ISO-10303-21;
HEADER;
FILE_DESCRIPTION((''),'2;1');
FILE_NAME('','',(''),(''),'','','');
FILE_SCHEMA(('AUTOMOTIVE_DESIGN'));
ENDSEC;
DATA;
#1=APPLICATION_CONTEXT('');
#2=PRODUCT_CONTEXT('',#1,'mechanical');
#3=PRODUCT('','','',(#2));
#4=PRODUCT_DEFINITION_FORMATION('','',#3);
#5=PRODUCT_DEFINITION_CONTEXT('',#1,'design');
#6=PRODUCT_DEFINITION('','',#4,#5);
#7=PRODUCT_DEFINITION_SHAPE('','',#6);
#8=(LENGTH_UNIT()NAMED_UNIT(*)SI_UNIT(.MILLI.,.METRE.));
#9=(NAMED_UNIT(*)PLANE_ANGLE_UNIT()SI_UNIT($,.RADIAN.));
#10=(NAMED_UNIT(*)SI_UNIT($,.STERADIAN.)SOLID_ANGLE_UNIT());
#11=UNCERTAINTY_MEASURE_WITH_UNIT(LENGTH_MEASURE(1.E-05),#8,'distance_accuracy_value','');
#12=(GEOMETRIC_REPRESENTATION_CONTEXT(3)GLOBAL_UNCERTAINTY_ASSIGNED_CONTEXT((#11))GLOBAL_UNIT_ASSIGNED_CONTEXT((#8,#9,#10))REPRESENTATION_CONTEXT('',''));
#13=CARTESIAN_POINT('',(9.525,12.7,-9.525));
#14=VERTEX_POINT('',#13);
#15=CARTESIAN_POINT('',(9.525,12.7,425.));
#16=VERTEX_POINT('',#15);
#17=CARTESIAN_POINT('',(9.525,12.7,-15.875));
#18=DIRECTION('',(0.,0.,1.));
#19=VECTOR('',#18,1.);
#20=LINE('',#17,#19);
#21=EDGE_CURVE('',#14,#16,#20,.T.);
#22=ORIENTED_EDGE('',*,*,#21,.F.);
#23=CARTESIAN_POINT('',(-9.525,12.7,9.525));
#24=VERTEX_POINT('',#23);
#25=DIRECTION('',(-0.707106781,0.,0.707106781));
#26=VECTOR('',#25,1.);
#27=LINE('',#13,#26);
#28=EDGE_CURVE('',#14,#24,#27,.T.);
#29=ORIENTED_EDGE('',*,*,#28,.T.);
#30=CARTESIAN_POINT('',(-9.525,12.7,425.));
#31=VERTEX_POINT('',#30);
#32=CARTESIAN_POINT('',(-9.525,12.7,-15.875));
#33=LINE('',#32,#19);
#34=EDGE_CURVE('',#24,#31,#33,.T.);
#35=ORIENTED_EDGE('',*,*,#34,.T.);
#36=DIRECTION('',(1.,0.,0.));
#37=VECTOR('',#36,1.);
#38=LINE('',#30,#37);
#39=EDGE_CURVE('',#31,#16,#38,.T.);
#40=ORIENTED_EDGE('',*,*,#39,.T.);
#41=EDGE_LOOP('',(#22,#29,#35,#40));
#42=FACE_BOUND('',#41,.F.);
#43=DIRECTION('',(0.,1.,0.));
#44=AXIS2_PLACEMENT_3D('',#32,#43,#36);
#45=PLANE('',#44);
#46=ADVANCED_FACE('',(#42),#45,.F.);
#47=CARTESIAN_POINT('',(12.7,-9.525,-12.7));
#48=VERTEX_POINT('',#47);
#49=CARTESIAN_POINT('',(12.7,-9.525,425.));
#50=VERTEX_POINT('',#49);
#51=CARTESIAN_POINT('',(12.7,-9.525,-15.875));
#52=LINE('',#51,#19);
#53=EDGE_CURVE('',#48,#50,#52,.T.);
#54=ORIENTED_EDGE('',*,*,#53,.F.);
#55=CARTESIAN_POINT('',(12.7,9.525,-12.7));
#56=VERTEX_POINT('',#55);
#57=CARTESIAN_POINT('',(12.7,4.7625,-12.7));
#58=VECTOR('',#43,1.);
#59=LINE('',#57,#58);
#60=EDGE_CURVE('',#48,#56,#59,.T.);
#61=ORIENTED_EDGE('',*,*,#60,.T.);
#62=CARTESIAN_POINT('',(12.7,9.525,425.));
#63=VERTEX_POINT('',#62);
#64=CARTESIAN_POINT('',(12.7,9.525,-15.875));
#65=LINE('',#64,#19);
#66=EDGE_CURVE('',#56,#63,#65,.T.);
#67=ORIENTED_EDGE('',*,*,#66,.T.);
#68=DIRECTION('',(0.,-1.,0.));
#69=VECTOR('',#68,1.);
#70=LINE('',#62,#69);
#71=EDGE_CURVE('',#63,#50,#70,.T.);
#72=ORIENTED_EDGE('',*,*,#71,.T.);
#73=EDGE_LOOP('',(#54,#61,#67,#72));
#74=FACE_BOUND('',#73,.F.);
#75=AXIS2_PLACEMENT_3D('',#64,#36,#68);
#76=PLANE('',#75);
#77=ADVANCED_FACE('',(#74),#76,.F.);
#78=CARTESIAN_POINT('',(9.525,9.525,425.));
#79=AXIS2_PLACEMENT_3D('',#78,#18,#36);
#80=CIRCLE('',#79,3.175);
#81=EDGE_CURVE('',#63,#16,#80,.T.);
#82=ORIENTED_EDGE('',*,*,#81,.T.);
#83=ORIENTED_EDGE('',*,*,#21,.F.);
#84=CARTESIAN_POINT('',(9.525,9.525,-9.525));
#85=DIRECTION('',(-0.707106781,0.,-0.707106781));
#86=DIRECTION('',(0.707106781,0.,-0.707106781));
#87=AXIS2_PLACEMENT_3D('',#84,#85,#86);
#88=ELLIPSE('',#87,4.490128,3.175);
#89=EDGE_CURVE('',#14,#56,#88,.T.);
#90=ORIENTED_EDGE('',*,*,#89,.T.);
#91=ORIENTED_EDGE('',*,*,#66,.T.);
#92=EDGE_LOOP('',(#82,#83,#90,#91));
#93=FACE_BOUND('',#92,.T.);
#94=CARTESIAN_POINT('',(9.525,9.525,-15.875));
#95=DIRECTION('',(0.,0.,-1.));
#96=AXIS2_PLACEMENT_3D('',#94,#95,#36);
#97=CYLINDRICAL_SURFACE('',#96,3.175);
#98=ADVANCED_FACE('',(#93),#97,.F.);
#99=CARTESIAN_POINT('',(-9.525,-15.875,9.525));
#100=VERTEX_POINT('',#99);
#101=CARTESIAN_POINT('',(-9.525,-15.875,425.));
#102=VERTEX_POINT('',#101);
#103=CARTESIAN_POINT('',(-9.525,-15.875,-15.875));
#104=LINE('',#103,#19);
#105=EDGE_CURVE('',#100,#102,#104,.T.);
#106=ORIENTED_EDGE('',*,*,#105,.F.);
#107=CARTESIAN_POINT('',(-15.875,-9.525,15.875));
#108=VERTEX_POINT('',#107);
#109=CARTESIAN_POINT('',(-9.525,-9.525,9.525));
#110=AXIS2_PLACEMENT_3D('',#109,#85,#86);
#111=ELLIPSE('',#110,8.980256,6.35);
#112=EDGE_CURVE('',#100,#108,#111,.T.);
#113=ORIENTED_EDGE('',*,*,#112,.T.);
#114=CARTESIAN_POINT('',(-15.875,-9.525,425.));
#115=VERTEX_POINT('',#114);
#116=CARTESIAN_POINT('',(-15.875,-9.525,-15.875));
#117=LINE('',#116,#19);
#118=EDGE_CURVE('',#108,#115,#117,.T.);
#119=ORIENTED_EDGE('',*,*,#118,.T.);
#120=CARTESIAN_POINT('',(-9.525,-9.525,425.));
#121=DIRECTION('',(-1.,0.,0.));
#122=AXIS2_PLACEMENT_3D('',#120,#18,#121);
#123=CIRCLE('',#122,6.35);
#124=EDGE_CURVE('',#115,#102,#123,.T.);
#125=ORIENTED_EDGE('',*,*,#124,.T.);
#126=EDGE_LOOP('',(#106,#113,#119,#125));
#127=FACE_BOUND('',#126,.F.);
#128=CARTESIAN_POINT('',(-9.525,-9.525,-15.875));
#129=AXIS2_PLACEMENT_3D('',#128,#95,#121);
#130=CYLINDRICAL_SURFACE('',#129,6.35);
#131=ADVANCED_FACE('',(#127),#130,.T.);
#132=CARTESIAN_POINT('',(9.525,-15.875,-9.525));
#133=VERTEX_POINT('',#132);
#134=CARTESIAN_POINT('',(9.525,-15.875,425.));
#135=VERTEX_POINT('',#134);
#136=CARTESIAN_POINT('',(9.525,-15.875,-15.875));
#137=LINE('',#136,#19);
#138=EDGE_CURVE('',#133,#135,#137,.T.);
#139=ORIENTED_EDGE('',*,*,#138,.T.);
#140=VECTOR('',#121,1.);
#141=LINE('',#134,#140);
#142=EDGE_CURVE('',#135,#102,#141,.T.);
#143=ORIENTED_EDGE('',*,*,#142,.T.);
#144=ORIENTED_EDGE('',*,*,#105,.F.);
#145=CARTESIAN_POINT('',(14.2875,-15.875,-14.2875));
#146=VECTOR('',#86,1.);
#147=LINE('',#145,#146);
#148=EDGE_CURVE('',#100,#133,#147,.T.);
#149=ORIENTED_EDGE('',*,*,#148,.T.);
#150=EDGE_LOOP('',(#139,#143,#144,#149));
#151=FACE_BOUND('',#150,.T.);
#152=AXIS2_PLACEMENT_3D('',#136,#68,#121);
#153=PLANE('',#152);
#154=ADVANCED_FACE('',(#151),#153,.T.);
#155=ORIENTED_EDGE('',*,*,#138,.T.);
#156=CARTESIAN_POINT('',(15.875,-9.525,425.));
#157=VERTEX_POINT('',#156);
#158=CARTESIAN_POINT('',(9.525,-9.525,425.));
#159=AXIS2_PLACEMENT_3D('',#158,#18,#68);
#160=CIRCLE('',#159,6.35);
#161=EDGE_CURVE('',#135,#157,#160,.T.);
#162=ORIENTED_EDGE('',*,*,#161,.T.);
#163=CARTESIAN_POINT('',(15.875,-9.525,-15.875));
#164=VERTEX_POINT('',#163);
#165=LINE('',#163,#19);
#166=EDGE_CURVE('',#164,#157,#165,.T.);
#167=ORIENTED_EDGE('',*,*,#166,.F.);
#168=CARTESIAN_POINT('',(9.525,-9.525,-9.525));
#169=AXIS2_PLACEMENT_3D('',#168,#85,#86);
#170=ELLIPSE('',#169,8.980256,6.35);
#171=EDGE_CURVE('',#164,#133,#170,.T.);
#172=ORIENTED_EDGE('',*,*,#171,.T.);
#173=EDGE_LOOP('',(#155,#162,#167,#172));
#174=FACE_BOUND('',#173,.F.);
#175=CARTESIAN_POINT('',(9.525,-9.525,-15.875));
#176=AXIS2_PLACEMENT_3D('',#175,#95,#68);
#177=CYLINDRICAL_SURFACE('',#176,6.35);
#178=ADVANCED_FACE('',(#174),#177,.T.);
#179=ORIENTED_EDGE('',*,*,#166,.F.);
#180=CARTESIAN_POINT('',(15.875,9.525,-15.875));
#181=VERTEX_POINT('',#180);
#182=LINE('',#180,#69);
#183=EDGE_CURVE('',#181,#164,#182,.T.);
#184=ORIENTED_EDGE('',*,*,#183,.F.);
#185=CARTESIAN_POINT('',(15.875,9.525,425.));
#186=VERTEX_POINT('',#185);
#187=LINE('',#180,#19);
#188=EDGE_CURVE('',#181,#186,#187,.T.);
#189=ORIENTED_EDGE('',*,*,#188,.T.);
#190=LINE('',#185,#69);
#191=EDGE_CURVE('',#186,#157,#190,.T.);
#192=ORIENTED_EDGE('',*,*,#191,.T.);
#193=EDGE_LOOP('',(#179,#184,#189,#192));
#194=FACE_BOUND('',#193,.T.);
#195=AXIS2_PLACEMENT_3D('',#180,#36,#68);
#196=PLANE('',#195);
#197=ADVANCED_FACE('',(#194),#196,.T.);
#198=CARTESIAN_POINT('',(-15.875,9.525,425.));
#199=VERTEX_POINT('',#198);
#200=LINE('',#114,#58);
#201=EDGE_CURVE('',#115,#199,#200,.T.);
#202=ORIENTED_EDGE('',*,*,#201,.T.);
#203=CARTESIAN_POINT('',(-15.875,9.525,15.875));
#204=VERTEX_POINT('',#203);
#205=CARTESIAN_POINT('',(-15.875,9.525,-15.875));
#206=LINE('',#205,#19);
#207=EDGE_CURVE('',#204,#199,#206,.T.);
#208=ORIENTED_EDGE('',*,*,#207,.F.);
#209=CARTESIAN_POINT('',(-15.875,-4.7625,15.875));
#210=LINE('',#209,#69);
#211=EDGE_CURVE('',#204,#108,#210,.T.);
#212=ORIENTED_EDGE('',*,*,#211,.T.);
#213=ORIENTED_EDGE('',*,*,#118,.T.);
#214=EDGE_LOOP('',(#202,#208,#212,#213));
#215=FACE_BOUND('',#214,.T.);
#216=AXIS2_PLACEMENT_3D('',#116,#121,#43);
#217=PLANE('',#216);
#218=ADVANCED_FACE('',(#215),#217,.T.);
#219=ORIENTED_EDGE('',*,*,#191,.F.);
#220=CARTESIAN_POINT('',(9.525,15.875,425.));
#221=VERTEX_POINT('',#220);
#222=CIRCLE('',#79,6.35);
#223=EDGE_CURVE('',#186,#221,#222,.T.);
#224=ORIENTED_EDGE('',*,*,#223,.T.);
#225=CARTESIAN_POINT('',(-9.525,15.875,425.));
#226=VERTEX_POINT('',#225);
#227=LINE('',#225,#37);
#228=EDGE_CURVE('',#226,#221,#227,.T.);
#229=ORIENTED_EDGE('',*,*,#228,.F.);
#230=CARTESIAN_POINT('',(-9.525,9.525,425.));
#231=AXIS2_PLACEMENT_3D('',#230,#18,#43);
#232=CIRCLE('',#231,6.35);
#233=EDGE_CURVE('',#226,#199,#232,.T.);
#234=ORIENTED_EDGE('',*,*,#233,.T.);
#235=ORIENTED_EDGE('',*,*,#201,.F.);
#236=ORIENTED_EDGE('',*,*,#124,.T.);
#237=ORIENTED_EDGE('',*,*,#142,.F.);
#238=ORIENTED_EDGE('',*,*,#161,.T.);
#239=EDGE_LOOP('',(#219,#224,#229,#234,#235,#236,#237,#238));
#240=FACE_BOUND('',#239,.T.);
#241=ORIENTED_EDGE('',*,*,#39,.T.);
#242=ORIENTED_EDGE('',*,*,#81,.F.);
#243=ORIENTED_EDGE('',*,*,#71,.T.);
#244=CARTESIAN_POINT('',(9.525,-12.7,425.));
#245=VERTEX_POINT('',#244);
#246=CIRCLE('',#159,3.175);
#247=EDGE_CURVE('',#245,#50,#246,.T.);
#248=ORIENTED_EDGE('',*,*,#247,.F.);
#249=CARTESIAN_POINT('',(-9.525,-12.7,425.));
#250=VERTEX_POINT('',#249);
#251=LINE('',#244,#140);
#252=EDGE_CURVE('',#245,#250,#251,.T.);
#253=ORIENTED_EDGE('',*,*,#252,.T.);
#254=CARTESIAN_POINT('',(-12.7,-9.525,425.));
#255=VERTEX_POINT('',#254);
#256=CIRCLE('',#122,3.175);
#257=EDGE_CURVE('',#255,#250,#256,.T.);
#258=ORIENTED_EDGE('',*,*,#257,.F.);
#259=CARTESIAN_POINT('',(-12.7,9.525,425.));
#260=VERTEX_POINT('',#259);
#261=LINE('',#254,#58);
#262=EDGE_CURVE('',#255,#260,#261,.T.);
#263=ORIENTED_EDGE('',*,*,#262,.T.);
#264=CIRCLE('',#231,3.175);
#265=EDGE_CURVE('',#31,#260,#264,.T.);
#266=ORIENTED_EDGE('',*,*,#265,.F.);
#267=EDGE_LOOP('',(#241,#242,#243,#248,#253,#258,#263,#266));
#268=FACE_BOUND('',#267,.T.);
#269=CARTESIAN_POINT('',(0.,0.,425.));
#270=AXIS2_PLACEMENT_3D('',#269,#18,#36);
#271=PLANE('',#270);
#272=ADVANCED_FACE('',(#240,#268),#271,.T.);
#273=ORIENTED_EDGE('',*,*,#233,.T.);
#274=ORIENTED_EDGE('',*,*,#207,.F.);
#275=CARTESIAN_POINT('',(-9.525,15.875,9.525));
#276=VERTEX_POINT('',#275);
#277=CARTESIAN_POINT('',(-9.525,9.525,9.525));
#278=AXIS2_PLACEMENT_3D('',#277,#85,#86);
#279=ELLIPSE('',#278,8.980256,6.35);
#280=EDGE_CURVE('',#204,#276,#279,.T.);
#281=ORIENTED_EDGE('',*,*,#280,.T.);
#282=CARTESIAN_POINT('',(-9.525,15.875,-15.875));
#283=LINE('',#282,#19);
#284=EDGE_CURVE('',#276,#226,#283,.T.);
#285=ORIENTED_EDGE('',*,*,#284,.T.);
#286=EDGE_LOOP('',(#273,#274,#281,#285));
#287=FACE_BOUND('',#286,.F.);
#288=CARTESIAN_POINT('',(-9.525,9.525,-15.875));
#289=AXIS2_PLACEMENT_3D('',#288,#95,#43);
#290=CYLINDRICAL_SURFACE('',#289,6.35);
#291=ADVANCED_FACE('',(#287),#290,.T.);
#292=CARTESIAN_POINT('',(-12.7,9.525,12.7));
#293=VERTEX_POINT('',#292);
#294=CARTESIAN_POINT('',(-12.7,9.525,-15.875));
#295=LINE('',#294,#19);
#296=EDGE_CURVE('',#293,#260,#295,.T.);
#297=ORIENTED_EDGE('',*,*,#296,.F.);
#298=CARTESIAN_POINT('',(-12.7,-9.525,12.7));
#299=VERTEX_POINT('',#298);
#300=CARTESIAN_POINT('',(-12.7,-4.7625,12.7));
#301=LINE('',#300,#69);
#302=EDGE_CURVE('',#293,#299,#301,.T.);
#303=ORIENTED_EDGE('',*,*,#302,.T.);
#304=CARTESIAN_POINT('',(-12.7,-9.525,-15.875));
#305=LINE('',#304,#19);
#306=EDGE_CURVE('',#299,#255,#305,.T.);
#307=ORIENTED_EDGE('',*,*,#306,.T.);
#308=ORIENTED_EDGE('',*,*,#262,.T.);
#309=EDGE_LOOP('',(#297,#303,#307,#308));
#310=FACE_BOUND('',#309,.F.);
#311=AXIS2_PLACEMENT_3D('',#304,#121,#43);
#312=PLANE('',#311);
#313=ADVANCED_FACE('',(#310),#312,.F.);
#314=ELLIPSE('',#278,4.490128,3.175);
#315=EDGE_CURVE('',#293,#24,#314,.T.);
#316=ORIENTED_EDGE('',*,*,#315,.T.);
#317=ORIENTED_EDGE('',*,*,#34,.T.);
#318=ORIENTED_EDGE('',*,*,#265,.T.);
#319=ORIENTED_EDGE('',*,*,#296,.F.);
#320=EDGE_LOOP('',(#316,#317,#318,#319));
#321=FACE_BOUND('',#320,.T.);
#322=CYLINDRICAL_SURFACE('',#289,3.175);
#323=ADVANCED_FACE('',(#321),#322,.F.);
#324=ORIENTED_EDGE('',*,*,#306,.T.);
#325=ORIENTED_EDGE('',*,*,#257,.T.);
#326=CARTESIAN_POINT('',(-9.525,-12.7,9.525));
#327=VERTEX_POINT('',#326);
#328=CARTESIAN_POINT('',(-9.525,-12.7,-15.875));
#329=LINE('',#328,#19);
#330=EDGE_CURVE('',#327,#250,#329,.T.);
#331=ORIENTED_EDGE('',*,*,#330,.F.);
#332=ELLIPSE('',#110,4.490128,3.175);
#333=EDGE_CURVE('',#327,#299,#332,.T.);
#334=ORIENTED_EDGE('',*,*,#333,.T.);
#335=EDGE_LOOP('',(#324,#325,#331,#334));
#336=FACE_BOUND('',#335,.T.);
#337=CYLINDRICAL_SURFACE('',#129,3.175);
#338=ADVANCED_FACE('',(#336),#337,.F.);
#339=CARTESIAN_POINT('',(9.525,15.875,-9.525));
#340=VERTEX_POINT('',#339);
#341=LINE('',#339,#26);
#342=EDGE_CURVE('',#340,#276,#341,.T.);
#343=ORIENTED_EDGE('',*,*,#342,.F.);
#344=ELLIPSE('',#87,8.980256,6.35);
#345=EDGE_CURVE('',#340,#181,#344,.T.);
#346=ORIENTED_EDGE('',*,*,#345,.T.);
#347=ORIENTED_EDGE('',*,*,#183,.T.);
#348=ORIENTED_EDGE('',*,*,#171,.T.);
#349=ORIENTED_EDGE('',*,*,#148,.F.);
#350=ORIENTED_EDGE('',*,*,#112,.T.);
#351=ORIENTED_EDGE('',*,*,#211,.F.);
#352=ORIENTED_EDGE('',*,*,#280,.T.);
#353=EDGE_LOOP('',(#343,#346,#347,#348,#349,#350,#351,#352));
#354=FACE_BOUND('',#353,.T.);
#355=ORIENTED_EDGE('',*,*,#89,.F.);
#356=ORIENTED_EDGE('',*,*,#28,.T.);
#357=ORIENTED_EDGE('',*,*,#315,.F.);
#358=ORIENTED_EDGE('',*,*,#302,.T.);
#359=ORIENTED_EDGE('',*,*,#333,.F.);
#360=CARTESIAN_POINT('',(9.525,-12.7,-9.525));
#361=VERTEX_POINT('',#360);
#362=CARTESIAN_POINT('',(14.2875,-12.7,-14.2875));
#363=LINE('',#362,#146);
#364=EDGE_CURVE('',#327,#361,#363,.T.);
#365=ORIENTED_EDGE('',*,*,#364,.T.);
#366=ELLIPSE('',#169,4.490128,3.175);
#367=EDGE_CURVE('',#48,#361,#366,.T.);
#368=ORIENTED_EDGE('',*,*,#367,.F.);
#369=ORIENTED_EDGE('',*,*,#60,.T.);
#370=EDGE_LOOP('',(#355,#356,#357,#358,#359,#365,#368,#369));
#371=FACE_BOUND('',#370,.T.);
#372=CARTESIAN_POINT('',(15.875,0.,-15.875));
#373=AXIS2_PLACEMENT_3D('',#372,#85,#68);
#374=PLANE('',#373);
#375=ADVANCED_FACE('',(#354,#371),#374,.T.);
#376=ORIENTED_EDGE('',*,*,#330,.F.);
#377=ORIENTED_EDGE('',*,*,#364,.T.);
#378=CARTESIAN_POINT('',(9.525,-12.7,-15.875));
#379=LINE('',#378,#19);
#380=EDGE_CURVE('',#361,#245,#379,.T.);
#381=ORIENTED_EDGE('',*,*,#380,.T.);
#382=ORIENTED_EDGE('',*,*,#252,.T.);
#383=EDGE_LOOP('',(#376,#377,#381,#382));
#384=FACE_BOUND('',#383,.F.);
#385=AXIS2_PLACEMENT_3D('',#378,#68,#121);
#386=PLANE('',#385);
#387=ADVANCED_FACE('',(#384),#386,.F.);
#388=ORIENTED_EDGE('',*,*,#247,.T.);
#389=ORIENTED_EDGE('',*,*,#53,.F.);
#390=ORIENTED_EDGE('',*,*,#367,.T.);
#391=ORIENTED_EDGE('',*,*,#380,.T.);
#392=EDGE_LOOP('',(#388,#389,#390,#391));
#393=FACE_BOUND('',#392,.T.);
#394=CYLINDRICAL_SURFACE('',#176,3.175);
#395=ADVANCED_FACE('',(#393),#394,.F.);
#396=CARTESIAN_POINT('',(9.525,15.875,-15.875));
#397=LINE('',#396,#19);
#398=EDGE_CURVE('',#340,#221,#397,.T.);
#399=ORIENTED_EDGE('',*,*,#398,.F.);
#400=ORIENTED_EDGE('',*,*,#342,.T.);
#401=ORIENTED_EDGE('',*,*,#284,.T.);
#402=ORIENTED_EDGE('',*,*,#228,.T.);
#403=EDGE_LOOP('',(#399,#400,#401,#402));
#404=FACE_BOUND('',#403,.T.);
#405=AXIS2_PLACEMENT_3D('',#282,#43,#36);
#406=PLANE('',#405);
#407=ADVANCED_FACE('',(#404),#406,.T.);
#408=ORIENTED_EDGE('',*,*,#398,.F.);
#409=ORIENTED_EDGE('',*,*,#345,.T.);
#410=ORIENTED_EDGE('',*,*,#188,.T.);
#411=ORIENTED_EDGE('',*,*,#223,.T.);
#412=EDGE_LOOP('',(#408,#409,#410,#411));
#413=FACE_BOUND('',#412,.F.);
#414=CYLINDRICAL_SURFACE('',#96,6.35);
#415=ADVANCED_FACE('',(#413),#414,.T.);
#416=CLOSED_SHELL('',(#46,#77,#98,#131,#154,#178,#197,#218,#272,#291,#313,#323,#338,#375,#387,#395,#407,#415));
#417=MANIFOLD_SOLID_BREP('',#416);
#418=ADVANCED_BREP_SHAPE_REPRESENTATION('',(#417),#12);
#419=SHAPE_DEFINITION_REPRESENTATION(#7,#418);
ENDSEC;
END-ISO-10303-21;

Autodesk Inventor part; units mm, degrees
ref_plane "Start Plane" through (0, 0, -15.875) normal (0, 0, 1) x (1, 0, 0)
ref_plane "End Plane" through (0, 0, 425) normal (0, 0, 1) x (1, 0, 0)
sketch "Sketch" plane through (0, 0, 0) normal (0, 0, 1) x (1, 0, 0)
  line L0 (-15.875, -9.525) -> (-15.875, 9.525)
  line L1 (-9.525, 15.875) -> (9.525, 15.875)
  line L2 (15.875, 9.525) -> (15.875, -9.525)
  line L3 (9.525, -15.875) -> (-9.525, -15.875)
  arc A0 (-15.875, -9.525) -> (-9.525, -15.875) centre (-9.525, -9.525) ccw
  arc A1 (-9.525, 15.875) -> (-15.875, 9.525) centre (-9.525, 9.525) ccw
  arc A2 (15.875, 9.525) -> (9.525, 15.875) centre (9.525, 9.525) ccw
  arc A3 (9.525, -15.875) -> (15.875, -9.525) centre (9.525, -9.525) ccw
  arc A4 (-9.525, 12.7) -> (-12.7, 9.525) centre (-9.525, 9.525) ccw
  line L4 (-9.525, 12.7) -> (9.525, 12.7)
  arc A5 (12.7, 9.525) -> (9.525, 12.7) centre (9.525, 9.525) ccw
  line L5 (12.7, 9.525) -> (12.7, -9.525)
  arc A6 (9.525, -12.7) -> (12.7, -9.525) centre (9.525, -9.525) ccw
  line L6 (9.525, -12.7) -> (-9.525, -12.7)
  arc A7 (-12.7, -9.525) -> (-9.525, -12.7) centre (-9.525, -9.525) ccw
  line L7 (-12.7, -9.525) -> (-12.7, 9.525)
  line L8 (0, 24.0662) -> (0, -24.0662) construction
  line L9 (-24.0662, 0) -> (24.0662, 0) construction
  dimension "d10" = 31.75
  dimension "d11" = 31.75
  dimension "d12" = 3.175
  dimension "d15" = 15.875
  dimension "d16" = 15.875
  dimension "d17" = 6.35
extrude "Body" add sketch "Sketch" along normal up to surface (440.875 mm away) from surface at -15.875
sketch "Sketch3" plane through (0, 0, 0) normal (0, 0, 1) x (1, 0, 0)
  line L0 (0, 0) -> (10, 0)
ref_plane "Work Plane3" through (0, 0, 0) normal (0, -1, 0) x (1, 0, 0)
sketch "Sketch4" plane through (0, 0, 0) normal (0, -1, 0) x (1, 0, 0)
  line L0 (-2, -15.875) -> (12, -15.875)
  line L1 (-2, 425) -> (12, 425)
  dimension "d19" = 440.875
ref_plane "Work Plane4" through (15.875, 0, -15.875) normal (-0.7071, 0, -0.7071) x (-0.7071, 0, 0.7071)
split "Split1" plane through (15.875, 0, -15.875) removes the side toward (-0.7071, 0, -0.7071)
equation "\"d10\" = G_H"
equation "\"d11\" = G_W"
equation "\"d12\" = G_T"
equation "\"d15\" = 0.5 * d10"
equation "\"d16\" = 0.5 * d11"
equation "\"d17\" = G_IR"
equation "\"d3\" = G_L"
equation "\"G_W\" = 31.75"
equation "\"G_H\" = 31.75"
equation "\"G_T\" = 3.175"
equation "\"G_IR\" = 6.35"
equation "\"G_L\" = d19"
equation "\"G_OFFSET_START\" = 15.875"
equation "\"G_OFFSET_END\" = 0"
equation "\"d13\" = -G_OFFSET_START"
equation "\"d14\" = G_OFFSET_END + B_L"
equation "\"B_L\" = 425"
properties part number "AISC HSS - (1 1/4x1 1/4x1/8) - 17.357" material "Steel, Mild"
